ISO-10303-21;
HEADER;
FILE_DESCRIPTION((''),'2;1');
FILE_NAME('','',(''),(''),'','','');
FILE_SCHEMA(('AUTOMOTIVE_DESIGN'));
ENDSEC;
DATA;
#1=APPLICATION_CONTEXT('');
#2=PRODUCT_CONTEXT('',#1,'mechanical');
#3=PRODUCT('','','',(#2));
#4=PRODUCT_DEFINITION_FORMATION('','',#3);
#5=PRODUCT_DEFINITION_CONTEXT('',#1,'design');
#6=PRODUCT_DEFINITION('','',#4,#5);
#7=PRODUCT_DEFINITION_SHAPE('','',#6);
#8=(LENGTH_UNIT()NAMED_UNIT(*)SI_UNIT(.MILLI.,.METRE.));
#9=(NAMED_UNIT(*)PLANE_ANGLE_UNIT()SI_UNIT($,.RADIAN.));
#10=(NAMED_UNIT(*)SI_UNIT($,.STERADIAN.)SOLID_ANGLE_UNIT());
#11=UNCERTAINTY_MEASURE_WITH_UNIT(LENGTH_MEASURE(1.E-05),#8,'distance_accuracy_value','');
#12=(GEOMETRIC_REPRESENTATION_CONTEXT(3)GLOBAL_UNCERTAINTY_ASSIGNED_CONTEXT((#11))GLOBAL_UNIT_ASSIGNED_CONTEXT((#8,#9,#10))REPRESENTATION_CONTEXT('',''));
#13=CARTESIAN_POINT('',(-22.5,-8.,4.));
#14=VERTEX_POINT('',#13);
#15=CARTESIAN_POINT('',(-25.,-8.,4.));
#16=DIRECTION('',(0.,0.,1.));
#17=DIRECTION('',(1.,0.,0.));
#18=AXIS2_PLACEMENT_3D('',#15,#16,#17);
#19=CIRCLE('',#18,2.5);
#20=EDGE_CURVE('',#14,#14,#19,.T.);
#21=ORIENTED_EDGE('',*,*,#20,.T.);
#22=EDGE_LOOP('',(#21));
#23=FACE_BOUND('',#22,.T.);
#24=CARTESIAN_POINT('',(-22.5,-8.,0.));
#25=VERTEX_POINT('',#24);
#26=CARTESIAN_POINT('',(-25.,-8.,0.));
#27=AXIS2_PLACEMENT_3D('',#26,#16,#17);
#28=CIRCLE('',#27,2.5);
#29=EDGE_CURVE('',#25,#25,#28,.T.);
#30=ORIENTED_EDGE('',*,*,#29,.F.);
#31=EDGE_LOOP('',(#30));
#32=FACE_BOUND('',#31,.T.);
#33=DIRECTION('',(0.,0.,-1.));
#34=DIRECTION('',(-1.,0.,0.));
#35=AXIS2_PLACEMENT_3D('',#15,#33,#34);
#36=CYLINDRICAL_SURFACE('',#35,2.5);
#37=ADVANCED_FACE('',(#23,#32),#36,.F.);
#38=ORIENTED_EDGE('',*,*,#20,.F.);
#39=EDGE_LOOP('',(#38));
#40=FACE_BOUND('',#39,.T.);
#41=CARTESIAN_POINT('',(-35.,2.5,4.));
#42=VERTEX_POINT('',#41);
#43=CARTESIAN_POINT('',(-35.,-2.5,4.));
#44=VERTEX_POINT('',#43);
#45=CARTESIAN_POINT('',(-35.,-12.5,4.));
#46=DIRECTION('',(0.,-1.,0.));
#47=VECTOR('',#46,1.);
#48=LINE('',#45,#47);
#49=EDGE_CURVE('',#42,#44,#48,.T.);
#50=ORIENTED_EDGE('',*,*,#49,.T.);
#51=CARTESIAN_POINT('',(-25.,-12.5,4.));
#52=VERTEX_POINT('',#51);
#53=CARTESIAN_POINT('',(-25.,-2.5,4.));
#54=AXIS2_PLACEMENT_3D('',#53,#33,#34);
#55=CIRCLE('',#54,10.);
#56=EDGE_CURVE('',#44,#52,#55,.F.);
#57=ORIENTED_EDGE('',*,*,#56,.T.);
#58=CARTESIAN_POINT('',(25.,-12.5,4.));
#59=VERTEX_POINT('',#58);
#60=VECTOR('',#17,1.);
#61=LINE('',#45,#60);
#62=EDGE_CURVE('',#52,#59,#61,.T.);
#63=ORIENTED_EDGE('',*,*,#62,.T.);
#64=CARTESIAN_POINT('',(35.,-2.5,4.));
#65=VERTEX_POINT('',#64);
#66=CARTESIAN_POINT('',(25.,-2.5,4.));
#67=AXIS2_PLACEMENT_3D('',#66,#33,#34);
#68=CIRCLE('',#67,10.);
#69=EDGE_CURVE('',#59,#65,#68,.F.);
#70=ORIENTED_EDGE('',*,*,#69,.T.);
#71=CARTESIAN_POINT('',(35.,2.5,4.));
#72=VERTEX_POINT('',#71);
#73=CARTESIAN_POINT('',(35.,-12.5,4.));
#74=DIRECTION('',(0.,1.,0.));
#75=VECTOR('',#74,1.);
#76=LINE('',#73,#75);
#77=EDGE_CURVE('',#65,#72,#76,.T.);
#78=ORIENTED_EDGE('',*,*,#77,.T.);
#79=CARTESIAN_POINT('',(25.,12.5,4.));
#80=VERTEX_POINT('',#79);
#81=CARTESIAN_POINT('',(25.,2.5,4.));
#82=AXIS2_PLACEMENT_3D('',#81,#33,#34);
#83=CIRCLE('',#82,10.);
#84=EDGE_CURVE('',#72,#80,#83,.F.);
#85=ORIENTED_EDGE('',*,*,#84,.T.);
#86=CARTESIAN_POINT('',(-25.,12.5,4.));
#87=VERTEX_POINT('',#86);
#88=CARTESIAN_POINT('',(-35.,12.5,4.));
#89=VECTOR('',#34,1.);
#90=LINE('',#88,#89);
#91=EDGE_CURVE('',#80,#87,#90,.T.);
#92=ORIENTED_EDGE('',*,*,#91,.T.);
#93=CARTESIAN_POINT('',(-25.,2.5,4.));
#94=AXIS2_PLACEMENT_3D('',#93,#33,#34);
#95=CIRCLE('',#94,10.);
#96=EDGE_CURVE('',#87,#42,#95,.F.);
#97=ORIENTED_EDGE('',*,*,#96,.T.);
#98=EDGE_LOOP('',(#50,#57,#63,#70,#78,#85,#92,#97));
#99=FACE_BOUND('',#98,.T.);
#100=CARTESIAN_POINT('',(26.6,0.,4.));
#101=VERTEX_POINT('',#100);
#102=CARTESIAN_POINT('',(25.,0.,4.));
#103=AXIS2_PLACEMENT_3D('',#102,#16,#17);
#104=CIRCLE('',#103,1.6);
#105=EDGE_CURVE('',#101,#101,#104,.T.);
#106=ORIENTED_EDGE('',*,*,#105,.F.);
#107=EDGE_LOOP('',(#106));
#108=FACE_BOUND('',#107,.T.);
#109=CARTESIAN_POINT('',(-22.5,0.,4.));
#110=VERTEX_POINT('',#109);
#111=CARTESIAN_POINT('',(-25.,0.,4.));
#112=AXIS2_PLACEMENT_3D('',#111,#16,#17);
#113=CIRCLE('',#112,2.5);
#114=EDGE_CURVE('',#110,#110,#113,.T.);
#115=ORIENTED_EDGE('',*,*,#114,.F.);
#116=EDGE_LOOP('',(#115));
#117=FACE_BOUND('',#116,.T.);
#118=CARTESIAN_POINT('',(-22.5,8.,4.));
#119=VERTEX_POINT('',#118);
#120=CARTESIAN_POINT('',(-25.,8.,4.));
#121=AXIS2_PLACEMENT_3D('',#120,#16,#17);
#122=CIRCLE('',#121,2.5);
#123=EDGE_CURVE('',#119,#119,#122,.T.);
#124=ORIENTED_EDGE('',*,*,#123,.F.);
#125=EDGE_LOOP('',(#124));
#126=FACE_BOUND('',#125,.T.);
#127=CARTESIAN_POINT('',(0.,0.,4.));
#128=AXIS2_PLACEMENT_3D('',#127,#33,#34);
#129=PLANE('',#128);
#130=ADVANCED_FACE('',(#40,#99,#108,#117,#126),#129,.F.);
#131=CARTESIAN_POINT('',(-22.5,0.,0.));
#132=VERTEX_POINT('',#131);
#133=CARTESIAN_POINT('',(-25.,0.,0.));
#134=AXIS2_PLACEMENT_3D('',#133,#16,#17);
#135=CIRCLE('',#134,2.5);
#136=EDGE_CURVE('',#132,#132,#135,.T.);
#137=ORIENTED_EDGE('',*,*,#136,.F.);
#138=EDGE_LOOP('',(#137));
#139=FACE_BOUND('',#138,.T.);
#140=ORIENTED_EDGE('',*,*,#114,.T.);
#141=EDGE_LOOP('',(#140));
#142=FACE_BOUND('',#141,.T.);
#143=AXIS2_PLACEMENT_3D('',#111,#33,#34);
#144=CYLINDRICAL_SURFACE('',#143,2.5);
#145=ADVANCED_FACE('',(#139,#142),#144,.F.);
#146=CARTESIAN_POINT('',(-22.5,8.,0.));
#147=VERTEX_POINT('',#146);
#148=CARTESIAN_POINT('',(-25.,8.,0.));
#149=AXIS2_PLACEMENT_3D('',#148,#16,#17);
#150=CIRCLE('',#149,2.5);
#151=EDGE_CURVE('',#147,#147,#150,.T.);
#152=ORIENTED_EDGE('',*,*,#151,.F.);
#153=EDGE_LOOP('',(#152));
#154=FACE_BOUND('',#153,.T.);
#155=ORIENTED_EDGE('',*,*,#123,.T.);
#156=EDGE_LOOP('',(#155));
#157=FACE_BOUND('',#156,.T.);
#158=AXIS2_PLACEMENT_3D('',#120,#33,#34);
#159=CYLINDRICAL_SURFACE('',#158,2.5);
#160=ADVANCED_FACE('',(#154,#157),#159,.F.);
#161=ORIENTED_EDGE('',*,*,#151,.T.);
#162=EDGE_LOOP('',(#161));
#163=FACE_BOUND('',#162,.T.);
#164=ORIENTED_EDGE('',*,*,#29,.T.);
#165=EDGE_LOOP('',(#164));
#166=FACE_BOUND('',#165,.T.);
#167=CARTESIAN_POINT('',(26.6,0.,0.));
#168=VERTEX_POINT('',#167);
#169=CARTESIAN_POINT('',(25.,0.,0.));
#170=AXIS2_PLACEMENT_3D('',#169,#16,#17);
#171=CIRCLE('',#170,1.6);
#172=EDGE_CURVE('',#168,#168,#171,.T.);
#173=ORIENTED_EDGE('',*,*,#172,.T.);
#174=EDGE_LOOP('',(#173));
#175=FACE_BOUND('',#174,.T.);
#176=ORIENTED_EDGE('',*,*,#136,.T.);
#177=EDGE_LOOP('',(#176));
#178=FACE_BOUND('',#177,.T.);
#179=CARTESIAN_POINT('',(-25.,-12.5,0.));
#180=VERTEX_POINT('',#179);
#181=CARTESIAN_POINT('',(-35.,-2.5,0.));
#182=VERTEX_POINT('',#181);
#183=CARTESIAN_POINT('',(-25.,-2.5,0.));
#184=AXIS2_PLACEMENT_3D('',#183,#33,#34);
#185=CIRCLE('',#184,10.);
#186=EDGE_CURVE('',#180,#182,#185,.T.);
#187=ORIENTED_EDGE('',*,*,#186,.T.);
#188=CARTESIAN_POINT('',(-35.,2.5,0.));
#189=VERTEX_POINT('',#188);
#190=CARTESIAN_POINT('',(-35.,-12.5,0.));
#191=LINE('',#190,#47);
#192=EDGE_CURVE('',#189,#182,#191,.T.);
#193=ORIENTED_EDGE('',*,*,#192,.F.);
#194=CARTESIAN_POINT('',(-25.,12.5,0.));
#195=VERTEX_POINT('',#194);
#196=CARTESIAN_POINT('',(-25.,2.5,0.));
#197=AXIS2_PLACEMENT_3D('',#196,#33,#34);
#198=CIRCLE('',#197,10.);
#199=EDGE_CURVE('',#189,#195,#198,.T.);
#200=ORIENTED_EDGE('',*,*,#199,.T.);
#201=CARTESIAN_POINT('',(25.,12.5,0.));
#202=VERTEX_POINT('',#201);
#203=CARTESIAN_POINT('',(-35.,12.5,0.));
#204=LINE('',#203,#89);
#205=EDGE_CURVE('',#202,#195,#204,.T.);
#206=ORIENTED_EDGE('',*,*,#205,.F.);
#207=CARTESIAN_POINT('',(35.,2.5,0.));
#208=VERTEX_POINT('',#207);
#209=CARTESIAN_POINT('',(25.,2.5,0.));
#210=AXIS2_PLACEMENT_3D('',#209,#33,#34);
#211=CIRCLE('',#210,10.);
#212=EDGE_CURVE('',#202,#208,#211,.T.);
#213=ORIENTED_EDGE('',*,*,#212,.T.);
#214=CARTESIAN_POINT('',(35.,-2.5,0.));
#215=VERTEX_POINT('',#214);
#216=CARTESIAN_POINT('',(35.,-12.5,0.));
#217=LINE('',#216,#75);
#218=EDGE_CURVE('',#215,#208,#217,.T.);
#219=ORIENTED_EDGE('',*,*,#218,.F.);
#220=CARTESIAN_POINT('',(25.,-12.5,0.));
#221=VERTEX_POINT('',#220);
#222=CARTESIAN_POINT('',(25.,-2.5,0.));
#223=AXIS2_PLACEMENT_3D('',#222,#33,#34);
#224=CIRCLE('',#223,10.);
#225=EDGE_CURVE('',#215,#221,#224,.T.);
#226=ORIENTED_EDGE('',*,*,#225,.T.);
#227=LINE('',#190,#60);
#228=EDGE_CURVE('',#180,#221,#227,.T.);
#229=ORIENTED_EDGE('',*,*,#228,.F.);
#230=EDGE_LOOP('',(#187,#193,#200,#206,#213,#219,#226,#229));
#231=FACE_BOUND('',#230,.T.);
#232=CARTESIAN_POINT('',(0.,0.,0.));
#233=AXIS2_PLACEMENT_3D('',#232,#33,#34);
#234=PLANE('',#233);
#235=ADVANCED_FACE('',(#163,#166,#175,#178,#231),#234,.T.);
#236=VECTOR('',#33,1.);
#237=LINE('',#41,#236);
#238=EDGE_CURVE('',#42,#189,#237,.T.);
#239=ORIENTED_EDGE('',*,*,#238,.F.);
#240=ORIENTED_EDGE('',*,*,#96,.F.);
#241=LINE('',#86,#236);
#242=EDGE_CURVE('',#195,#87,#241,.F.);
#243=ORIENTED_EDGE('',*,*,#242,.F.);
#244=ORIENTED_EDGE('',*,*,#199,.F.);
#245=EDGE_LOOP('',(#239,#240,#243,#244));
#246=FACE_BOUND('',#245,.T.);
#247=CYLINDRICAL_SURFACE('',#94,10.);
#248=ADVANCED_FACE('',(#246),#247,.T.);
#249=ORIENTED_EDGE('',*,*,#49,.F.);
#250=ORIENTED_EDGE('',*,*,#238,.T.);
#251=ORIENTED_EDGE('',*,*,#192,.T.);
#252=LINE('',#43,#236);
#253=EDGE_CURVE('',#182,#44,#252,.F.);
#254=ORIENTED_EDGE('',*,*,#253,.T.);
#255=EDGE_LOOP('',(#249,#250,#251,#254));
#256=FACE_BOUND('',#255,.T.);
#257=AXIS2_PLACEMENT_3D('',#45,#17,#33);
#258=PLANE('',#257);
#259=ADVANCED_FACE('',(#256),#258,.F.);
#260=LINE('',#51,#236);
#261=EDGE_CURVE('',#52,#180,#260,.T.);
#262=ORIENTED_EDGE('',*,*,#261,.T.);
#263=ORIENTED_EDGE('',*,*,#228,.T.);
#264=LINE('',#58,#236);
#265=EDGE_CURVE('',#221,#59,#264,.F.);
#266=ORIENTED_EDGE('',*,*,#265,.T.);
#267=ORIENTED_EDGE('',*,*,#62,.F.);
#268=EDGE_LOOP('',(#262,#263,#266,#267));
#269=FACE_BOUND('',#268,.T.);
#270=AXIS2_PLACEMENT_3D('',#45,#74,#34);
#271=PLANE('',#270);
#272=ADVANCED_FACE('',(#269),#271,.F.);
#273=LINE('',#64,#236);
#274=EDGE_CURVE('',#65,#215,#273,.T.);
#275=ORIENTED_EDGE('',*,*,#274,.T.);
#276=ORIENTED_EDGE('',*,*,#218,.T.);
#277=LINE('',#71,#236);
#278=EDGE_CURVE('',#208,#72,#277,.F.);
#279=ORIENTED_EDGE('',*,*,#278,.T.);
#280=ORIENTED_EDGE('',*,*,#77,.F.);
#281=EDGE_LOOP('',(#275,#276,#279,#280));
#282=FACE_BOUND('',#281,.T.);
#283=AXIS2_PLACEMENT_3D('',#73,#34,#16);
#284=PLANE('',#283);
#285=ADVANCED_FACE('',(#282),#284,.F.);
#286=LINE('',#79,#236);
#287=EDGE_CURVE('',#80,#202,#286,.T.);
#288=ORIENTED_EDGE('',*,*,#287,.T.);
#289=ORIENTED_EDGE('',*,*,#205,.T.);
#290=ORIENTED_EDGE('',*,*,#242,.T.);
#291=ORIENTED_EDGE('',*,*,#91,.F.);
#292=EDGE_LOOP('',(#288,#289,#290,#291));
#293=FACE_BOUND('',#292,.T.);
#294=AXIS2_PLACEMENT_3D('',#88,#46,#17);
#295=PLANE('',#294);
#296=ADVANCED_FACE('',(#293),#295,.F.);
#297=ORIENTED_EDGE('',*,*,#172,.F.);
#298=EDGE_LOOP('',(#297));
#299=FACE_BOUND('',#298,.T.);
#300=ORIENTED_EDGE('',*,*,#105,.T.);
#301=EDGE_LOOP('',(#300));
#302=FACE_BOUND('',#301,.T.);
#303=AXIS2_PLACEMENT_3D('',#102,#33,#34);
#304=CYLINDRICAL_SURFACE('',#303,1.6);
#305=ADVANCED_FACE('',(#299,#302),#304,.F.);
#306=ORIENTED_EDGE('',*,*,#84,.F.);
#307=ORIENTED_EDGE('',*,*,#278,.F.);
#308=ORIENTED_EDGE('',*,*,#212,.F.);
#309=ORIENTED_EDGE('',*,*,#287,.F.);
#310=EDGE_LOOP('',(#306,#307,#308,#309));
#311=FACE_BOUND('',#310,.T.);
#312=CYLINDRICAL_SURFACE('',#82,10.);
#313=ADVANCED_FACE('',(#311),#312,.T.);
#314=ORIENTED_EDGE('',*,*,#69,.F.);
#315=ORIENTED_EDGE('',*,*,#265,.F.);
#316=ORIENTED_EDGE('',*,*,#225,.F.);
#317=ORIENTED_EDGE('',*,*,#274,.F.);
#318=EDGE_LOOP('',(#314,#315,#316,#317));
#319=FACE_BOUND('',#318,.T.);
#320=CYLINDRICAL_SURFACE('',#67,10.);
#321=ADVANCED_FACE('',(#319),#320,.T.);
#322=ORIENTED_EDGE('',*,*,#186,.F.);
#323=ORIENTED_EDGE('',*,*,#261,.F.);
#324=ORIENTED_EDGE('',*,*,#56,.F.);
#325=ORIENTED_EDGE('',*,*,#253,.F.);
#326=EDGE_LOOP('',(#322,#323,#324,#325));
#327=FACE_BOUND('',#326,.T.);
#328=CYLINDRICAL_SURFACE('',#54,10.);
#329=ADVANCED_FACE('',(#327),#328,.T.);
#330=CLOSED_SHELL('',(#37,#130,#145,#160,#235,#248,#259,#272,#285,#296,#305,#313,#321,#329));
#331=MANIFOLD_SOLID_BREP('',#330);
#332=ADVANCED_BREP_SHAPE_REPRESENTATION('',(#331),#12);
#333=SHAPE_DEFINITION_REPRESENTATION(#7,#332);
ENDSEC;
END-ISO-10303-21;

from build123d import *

# Parameters (mm, degrees)
SKETCH_1_W      = 70
SKETCH_1_H      = 25
SKETCH_1_R      = 2.5
SKETCH_1_R_2    = 1.6
EXTRUDE_1_DEPTH = 4
FILLET_1_R      = 10


with BuildPart() as part:
    # 草图1 → 凸台-拉伸1 (new body)
    with BuildSketch(Plane.XY):
        Rectangle(SKETCH_1_W, SKETCH_1_H)
        with Locations((-25, 0)):
            Circle(SKETCH_1_R, mode=Mode.SUBTRACT)
        with Locations((25, 0)):
            Circle(SKETCH_1_R_2, mode=Mode.SUBTRACT)
        with Locations((-25, 8)):
            Circle(SKETCH_1_R, mode=Mode.SUBTRACT)
        with Locations((-25, -8)):
            Circle(SKETCH_1_R, mode=Mode.SUBTRACT)
    extrude(amount=EXTRUDE_1_DEPTH)

    # 圆角1
    fillet_1_edges = [part.edges().sort_by_distance(p)[0] for p in [
        (35, -12.5, 2),
        (-35, -12.5, 2),
        (-35, 12.5, 2),
        (35, 12.5, 2),
    ]]
    fillet(fillet_1_edges, radius=FILLET_1_R)


solid = part.part
